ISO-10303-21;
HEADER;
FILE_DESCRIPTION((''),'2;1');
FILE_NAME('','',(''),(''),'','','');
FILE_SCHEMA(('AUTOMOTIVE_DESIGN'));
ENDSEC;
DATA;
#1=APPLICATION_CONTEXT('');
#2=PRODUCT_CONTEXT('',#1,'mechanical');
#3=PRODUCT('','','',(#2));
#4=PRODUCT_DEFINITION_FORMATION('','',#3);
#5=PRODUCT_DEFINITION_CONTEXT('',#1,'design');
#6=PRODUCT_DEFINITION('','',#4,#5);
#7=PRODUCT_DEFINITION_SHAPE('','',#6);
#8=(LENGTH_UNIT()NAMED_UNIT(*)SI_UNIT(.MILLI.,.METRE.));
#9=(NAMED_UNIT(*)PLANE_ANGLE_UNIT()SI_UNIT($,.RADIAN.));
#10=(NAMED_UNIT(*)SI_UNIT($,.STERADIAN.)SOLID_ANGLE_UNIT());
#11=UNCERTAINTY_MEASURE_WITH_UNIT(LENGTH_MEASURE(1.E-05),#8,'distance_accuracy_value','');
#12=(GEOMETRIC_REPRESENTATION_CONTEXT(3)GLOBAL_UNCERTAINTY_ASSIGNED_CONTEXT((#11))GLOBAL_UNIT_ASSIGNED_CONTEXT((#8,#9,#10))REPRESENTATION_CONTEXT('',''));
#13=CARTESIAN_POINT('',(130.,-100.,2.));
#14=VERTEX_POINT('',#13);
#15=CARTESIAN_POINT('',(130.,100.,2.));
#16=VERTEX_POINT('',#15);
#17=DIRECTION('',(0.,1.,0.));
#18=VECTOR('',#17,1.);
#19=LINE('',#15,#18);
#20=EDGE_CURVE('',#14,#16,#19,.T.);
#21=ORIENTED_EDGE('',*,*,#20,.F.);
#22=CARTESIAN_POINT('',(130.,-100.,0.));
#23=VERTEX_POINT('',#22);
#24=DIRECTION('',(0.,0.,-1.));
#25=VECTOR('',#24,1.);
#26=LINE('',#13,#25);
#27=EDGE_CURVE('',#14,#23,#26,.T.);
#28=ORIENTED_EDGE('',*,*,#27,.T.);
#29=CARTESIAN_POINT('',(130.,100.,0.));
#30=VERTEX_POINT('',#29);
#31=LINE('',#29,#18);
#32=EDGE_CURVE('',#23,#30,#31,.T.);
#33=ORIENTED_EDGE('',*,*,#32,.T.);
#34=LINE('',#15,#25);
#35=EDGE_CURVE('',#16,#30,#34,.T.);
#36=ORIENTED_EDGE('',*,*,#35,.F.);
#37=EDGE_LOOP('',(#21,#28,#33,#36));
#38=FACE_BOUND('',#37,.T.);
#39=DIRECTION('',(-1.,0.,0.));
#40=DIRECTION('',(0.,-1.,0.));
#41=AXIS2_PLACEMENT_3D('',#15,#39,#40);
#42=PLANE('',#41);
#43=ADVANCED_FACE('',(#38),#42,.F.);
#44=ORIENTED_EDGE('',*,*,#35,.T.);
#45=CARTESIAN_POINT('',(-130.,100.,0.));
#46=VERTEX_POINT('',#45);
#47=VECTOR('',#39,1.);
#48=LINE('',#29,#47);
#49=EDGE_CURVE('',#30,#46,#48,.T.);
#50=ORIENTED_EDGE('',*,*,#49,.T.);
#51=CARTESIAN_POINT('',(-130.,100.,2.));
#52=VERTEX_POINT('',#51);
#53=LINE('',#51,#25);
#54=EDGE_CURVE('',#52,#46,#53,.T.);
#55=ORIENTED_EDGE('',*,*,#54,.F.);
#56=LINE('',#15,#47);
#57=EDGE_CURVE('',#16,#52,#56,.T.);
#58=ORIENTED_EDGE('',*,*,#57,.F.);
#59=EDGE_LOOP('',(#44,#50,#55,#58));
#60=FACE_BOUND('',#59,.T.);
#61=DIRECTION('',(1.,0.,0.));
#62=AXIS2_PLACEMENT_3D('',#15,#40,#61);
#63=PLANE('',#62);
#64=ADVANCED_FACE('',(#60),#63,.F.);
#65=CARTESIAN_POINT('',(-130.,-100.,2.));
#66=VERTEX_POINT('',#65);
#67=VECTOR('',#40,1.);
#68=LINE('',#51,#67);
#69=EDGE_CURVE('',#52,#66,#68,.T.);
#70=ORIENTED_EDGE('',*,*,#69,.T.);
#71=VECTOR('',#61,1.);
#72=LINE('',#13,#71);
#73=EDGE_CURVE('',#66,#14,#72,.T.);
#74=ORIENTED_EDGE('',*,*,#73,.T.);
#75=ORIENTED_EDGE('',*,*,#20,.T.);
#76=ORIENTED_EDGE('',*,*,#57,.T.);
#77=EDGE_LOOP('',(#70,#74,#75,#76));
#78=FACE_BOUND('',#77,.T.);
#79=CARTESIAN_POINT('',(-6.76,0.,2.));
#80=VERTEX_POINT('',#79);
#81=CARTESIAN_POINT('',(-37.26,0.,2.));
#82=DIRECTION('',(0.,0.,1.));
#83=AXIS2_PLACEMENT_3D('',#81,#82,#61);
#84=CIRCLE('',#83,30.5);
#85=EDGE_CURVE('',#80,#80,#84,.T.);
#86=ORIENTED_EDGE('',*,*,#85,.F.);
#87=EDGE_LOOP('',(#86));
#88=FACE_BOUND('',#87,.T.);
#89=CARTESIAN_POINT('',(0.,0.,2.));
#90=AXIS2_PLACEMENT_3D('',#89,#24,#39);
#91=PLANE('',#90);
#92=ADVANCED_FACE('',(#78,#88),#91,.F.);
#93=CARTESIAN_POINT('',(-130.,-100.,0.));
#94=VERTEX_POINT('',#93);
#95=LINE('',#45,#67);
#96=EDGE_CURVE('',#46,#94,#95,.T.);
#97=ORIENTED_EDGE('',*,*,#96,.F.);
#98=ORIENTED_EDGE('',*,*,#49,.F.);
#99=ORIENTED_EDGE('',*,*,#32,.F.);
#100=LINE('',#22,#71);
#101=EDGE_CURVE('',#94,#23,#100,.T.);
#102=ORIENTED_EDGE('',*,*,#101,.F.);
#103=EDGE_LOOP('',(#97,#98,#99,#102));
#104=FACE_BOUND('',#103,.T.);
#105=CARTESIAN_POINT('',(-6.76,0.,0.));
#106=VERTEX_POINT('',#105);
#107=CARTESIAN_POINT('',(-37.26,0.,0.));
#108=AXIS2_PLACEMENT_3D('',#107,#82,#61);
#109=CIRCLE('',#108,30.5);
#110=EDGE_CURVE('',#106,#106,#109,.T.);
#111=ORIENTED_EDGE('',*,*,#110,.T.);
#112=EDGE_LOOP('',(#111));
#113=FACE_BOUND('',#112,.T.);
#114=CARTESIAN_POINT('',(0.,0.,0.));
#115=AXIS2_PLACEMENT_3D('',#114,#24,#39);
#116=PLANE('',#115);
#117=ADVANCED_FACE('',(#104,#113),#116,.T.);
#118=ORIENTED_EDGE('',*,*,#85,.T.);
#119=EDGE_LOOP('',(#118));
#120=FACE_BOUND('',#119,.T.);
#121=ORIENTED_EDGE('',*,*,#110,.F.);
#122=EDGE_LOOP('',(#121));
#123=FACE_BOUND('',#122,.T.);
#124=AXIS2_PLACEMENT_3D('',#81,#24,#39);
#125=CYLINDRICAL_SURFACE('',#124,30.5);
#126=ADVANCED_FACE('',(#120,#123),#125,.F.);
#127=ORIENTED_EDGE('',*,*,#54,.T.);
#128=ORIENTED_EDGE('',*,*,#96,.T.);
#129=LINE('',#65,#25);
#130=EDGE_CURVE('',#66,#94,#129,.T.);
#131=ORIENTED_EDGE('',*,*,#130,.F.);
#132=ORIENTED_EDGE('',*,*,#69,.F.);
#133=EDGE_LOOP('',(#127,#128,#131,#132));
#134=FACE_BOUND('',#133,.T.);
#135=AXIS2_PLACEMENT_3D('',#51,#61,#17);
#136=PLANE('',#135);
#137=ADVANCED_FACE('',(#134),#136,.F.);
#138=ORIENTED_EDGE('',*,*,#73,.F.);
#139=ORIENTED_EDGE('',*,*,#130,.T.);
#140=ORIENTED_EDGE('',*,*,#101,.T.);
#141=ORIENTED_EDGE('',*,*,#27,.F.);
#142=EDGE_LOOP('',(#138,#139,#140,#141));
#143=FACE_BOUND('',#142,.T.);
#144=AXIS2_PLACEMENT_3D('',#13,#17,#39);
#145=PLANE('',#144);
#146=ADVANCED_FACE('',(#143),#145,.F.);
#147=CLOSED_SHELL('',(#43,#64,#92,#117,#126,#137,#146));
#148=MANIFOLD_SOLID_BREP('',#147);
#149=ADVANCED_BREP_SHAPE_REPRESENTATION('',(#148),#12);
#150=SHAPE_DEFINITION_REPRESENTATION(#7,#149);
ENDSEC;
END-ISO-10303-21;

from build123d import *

# Parameters (mm, degrees)
SKETCH_1_W      = 260
SKETCH_1_H      = 200
SKETCH_1_R      = 30.5
EXTRUDE_1_DEPTH = 2


with BuildPart() as part:
    # Эскиз1 → Бобышка-Вытянуть1 (new body)
    with BuildSketch(Plane.XY):
        Rectangle(SKETCH_1_W, SKETCH_1_H)
        with Locations((-37.26, 0)):
            Circle(SKETCH_1_R, mode=Mode.SUBTRACT)
    extrude(amount=EXTRUDE_1_DEPTH)


solid = part.part
